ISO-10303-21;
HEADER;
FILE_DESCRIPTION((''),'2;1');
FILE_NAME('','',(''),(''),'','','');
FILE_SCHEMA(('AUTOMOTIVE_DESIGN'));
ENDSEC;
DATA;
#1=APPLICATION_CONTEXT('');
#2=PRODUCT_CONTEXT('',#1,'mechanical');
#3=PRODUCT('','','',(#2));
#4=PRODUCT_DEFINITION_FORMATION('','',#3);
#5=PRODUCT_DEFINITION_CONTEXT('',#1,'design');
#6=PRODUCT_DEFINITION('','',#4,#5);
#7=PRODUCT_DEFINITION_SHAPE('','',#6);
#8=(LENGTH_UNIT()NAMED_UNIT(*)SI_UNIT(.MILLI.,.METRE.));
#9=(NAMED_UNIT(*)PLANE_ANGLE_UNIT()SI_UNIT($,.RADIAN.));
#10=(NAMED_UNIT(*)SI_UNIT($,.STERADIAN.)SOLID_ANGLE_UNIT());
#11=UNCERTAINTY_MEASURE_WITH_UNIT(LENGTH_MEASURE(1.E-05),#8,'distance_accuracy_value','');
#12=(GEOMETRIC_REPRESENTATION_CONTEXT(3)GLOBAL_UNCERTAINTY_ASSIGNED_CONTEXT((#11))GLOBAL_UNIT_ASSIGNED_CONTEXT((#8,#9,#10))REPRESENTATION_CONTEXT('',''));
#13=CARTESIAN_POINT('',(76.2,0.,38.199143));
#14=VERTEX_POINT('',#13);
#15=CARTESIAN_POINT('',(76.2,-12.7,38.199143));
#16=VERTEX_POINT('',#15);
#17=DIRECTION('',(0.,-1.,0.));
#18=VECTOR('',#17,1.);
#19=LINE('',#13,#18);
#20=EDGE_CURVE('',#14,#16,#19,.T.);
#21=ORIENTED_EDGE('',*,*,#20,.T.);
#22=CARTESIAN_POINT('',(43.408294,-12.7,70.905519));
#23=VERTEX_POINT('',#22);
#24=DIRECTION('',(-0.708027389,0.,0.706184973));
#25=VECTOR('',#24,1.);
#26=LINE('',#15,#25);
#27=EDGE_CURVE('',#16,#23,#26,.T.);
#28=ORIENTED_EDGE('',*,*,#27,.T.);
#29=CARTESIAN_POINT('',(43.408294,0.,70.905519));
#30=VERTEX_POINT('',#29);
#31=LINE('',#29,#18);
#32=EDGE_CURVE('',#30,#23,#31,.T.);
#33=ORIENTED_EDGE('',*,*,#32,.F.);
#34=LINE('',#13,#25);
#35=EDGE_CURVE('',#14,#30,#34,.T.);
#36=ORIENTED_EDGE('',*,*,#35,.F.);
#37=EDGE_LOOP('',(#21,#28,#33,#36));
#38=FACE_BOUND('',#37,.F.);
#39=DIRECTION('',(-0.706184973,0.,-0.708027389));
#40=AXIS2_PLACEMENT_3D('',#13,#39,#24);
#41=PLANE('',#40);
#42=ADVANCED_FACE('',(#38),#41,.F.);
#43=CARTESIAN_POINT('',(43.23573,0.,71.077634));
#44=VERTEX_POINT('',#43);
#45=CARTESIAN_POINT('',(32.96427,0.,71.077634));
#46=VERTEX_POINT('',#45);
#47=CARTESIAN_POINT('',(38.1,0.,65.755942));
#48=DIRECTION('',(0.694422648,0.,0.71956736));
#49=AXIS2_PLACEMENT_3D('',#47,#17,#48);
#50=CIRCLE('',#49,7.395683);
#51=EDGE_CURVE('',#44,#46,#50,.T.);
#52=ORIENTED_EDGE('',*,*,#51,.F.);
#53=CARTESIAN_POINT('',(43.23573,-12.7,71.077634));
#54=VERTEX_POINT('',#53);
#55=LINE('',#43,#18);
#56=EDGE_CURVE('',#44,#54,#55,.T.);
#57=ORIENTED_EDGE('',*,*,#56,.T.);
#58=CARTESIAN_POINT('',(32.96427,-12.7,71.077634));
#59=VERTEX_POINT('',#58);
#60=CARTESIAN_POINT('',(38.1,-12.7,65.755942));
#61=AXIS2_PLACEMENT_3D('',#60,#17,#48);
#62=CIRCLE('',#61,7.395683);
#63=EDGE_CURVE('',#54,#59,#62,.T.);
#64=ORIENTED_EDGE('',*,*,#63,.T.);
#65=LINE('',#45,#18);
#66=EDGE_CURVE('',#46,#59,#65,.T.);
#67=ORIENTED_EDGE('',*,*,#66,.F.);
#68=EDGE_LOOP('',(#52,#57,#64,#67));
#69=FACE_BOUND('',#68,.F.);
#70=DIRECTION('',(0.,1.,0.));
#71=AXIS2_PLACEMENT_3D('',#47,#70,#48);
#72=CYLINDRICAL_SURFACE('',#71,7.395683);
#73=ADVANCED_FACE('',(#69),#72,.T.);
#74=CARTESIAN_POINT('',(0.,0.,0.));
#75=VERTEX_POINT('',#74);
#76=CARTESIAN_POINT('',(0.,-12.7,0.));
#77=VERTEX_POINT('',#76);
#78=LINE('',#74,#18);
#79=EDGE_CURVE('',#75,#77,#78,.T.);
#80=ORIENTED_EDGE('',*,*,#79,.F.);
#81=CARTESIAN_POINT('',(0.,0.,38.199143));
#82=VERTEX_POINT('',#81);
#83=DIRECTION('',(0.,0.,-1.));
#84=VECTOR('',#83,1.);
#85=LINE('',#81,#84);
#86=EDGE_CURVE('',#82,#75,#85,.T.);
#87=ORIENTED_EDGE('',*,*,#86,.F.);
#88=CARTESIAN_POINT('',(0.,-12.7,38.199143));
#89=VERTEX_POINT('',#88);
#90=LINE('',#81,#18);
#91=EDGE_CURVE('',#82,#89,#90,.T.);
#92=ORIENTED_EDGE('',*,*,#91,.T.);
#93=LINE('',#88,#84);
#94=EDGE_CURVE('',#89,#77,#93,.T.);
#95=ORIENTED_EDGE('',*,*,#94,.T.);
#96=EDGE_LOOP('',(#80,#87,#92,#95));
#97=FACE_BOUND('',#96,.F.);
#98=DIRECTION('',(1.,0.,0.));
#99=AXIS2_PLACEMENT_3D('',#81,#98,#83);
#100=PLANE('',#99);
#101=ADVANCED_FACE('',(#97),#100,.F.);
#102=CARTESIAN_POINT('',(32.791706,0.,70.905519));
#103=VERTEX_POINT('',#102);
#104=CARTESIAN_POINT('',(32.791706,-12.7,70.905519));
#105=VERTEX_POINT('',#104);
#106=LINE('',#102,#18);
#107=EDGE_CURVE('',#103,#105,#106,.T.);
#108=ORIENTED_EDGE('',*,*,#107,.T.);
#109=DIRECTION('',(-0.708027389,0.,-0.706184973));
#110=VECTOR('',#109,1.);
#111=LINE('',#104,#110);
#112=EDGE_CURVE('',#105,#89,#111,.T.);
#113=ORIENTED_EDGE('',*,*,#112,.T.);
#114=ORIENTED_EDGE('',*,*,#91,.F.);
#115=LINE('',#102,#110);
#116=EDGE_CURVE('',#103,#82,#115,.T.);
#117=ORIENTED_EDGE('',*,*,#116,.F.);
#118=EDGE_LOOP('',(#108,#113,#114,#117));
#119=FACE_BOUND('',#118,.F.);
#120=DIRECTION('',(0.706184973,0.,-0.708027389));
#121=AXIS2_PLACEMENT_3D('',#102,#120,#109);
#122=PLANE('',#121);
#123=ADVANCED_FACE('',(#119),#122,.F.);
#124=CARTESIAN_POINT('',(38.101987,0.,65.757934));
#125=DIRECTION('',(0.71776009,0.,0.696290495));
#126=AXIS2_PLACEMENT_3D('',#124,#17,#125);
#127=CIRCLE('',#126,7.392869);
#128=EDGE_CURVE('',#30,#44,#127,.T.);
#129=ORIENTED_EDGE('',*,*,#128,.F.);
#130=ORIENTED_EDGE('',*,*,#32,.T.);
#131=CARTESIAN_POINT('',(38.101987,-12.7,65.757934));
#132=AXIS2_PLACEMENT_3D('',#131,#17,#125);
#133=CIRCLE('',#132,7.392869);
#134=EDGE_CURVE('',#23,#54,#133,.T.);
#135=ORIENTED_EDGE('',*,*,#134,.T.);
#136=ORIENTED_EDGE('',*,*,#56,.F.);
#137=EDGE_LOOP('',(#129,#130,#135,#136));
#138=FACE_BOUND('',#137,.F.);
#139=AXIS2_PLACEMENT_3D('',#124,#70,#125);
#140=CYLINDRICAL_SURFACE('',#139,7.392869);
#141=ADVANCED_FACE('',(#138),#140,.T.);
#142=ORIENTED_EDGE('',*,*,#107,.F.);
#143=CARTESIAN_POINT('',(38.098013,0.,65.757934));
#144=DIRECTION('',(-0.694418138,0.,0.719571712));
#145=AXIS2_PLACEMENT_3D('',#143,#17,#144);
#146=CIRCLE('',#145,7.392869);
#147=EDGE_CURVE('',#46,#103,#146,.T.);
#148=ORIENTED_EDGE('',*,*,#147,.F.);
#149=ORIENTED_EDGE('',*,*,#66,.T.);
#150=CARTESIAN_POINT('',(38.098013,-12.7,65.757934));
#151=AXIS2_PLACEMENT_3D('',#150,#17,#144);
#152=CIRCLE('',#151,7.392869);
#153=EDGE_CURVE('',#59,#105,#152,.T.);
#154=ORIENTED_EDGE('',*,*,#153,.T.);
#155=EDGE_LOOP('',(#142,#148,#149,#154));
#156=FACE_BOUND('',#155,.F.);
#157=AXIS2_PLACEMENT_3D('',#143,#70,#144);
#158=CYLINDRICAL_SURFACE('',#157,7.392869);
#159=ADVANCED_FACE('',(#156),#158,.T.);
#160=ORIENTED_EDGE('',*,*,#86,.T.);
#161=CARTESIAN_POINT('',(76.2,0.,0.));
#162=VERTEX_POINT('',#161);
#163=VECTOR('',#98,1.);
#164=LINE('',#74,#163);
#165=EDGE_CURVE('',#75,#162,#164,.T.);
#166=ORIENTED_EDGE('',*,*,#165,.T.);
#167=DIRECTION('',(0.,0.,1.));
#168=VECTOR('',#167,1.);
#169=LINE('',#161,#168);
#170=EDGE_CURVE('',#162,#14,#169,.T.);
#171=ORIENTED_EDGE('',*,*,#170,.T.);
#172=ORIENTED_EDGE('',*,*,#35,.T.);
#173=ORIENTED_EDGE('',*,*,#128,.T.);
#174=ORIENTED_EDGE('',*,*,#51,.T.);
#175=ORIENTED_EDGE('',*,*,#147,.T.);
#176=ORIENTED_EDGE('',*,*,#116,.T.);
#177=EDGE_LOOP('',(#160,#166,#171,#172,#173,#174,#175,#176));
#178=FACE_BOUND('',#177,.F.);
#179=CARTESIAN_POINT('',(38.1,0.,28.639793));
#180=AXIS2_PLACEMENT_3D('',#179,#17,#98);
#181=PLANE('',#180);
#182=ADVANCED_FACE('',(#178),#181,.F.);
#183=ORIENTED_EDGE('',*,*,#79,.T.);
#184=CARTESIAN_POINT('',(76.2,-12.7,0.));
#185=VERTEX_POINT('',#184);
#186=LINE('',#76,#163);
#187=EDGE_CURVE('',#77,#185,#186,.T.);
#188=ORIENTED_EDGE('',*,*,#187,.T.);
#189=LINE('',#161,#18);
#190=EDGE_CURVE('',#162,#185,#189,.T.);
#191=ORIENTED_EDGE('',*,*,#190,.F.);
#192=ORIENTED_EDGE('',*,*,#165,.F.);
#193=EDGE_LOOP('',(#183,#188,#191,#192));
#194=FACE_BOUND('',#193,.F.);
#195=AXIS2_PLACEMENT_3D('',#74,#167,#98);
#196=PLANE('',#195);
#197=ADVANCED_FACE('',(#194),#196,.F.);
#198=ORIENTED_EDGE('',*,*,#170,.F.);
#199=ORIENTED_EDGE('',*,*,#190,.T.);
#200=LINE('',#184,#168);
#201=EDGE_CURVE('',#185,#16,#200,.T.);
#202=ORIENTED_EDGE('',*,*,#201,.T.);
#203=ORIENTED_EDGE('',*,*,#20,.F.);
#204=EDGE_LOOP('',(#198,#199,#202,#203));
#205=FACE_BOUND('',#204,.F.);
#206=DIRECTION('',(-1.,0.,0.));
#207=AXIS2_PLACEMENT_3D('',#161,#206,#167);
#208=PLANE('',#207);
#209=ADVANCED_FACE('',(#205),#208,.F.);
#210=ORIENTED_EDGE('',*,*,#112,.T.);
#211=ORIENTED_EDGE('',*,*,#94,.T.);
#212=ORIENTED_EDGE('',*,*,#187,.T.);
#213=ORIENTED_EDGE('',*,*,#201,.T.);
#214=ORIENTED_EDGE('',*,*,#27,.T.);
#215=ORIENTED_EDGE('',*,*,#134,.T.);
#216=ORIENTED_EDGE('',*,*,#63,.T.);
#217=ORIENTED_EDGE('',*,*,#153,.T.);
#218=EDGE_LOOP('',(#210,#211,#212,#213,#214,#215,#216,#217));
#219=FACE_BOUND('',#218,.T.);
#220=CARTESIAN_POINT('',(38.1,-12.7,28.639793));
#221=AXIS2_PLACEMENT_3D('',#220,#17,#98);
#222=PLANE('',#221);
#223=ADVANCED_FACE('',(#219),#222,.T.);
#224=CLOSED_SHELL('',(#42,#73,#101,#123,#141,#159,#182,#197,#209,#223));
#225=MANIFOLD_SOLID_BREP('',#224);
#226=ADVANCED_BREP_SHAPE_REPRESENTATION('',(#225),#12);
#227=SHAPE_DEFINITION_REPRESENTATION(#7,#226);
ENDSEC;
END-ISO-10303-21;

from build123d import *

# Parameters (mm, degrees)
F1_DEPTH = 12.7


with BuildPart() as f1:
    # F0 (on Front) → F1 (new body)
    with BuildSketch(Plane.XZ):
        with BuildLine():
            Line((0, 38.199143), (0, 0))
            Line((0, 0), (76.2, 0))
            Line((76.2, 0), (76.2, 38.199143))
            Line((76.2, 38.199143), (43.408294, 70.905519))
            Line((43.408294, 70.905519), (43.23573, 71.077634))
            ThreePointArc((43.23573, 71.077634), (38.1, 73.151625), (32.96427, 71.077634))
            Line((32.96427, 71.077634), (32.791706, 70.905519))
            Line((32.791706, 70.905519), (0, 38.199143))
        make_face()
        with BuildLine():
            ThreePointArc((32.96427, 71.077634), (32.877279, 70.992288), (32.791706, 70.905519))
            Line((32.791706, 70.905519), (32.96427, 71.077634))
        make_face()
        with BuildLine():
            Line((43.23573, 71.077634), (43.408294, 70.905519))
            ThreePointArc((43.408294, 70.905519), (43.322721, 70.992288), (43.23573, 71.077634))
        make_face()
    extrude(amount=F1_DEPTH)


solid = f1.part
